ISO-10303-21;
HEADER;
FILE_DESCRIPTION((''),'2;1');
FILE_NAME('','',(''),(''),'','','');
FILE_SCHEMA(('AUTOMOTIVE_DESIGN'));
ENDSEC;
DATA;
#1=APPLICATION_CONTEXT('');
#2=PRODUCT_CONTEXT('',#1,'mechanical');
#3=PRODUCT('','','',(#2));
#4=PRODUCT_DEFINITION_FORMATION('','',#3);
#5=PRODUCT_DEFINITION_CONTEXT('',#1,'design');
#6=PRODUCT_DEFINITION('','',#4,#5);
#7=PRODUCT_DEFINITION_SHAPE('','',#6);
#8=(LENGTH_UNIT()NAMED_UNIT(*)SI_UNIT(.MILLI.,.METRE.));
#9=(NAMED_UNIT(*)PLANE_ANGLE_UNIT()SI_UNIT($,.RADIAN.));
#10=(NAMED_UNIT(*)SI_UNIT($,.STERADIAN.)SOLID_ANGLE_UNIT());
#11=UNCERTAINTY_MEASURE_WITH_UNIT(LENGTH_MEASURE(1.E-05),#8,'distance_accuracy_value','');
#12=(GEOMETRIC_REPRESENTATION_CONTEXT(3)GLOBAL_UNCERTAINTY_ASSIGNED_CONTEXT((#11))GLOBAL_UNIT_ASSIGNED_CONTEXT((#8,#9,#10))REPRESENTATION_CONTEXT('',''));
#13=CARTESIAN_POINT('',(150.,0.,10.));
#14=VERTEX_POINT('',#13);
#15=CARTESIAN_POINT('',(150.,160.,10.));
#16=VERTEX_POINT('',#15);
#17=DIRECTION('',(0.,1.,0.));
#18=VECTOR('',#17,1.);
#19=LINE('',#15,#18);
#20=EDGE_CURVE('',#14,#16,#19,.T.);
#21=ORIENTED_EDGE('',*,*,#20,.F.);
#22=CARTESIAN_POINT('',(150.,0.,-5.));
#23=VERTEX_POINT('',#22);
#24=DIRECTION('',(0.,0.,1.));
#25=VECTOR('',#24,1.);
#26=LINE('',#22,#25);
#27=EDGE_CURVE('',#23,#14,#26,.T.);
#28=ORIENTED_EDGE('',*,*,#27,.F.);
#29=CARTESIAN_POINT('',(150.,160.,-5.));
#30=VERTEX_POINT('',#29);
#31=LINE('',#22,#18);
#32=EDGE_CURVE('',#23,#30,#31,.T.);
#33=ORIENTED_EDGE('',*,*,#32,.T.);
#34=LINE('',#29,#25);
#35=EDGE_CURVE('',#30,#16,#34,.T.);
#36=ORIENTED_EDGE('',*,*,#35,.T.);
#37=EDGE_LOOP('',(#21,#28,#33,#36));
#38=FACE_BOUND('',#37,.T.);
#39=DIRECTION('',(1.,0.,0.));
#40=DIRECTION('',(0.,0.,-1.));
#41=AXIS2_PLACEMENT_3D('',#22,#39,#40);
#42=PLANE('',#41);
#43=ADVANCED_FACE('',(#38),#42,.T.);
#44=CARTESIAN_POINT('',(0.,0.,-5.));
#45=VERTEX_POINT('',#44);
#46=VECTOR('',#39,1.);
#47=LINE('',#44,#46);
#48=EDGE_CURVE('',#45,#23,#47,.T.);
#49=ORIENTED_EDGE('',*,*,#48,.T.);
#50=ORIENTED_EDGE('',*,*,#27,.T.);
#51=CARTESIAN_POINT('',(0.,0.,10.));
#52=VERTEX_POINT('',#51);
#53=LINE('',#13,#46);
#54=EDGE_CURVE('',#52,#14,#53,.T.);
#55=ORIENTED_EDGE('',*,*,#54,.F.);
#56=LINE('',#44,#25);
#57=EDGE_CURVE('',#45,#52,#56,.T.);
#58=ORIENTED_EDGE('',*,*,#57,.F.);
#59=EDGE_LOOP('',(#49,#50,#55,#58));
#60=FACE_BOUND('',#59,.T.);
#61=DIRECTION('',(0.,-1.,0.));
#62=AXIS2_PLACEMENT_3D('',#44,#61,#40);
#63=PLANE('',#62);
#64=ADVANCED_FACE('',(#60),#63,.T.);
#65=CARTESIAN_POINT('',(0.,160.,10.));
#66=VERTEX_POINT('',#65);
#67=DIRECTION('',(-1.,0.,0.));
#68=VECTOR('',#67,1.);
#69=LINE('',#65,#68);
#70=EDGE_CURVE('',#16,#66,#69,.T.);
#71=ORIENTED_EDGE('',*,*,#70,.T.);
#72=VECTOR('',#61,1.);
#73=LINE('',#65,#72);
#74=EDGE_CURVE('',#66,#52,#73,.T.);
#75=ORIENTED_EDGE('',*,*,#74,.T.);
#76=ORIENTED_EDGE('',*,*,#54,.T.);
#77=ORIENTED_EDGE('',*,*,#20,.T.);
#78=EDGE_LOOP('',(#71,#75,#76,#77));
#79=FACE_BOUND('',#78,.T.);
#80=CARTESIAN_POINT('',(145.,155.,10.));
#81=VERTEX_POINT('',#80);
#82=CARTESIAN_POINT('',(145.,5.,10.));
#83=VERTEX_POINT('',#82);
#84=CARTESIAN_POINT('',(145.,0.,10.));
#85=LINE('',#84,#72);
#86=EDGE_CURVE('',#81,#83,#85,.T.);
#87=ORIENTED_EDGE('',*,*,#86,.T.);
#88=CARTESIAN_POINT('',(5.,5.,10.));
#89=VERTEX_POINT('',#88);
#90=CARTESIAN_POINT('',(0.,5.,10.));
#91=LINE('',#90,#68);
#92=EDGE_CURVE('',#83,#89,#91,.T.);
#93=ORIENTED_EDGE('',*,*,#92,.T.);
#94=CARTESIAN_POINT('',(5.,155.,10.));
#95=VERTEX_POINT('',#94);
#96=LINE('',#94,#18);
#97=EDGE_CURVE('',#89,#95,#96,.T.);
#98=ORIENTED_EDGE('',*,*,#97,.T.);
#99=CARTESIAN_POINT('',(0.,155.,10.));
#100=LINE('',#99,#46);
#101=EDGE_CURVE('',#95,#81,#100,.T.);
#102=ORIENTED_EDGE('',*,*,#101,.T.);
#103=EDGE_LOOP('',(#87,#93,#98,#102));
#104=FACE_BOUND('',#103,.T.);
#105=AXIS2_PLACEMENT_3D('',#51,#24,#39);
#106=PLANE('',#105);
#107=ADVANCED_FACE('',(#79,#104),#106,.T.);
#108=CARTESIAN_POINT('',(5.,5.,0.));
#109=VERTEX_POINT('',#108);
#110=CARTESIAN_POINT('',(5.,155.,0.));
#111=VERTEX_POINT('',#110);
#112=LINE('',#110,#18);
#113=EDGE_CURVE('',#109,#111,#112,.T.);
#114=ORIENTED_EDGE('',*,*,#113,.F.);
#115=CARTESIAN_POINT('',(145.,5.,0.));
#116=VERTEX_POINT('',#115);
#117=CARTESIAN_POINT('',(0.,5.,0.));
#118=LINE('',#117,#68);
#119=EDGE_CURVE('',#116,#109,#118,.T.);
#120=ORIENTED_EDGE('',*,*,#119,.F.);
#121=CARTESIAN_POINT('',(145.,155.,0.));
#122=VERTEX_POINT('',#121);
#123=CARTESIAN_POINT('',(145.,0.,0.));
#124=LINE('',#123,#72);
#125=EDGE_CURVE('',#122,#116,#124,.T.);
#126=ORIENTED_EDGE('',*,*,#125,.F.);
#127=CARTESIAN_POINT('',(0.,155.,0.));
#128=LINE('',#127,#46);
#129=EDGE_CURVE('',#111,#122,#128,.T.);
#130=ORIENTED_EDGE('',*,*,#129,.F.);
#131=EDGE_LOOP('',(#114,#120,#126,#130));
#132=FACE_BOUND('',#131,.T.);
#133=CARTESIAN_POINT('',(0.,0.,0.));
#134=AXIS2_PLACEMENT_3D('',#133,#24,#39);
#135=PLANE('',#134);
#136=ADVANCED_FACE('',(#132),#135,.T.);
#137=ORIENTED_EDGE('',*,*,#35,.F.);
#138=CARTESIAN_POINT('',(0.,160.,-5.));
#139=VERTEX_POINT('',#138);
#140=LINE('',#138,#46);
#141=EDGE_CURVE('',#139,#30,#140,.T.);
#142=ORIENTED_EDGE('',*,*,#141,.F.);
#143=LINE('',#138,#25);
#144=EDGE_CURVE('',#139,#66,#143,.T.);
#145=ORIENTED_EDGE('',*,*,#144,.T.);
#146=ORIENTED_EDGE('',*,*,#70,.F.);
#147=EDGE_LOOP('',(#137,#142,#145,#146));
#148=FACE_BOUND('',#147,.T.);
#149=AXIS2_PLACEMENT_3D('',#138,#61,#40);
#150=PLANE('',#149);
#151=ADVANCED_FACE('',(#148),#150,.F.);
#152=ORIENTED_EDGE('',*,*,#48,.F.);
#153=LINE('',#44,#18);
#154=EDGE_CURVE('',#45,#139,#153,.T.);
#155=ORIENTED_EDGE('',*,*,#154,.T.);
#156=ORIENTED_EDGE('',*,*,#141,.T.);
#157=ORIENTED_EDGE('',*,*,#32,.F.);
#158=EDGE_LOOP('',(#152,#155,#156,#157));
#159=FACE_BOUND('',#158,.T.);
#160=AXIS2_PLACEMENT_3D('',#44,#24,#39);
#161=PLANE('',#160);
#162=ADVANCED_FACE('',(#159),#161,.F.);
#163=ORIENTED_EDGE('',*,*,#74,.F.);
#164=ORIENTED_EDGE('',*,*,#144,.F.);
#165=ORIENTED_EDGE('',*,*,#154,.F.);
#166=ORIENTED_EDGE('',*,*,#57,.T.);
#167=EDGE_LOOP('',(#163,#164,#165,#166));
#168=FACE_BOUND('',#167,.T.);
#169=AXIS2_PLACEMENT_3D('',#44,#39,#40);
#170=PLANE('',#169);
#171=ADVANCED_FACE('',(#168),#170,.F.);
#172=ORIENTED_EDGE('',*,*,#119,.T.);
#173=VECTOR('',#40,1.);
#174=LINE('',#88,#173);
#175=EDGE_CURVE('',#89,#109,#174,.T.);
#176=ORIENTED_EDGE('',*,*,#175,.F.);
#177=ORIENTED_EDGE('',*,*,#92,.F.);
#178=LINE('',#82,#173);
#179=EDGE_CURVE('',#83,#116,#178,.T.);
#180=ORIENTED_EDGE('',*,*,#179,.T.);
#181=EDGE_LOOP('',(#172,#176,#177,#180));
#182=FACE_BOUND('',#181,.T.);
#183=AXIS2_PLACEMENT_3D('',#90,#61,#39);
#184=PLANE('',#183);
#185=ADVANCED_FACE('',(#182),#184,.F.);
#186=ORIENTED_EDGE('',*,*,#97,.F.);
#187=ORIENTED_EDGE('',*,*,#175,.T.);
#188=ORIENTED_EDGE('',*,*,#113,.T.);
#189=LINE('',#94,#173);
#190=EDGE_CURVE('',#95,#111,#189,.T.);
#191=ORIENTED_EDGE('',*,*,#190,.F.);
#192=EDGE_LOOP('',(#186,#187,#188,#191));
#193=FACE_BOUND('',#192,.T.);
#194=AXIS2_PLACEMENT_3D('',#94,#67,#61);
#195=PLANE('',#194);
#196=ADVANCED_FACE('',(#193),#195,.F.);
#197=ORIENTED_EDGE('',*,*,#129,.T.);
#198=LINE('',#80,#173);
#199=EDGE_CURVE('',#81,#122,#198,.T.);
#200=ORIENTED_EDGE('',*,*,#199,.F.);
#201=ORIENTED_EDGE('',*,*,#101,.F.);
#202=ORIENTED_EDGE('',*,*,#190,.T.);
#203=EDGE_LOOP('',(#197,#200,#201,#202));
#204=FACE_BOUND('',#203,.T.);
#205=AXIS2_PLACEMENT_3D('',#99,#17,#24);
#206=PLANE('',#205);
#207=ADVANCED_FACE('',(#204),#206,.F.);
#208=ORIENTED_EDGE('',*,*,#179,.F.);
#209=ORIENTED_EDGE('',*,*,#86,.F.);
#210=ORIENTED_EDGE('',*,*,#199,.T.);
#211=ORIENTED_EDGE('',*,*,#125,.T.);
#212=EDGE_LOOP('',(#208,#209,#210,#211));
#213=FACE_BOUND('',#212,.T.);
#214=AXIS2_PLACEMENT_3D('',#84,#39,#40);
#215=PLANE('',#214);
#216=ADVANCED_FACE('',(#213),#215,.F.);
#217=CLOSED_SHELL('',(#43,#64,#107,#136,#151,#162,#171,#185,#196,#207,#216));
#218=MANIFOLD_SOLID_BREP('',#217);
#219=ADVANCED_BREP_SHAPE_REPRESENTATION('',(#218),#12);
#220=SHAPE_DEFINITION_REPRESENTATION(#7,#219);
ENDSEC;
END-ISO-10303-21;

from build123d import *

# Parameters (mm, degrees)
SKETCH1_W           = 150
SKETCH1_H           = 160
BOSS_EXTRUDE1_DEPTH = 5
SKETCH2_W           = 150
SKETCH2_H           = 5
BOSS_EXTRUDE2_DEPTH = 10
SKETCH3_W           = 5
SKETCH3_H           = 155
BOSS_EXTRUDE3_DEPTH = 10
SKETCH4_W           = 145
SKETCH4_H           = 5
BOSS_EXTRUDE4_DEPTH = 10
SKETCH5_W           = 5
SKETCH5_H           = 150
BOSS_EXTRUDE5_DEPTH = 10


with BuildPart() as part:
    # Sketch1 → Boss-Extrude1 (new body)
    with BuildSketch(Plane.XY):
        with Locations((75, 80)):
            Rectangle(SKETCH1_W, SKETCH1_H)
    extrude(amount=-BOSS_EXTRUDE1_DEPTH)

    # Sketch2 → Boss-Extrude2 (add)
    with BuildSketch(Plane.XY):
        with Locations((75, 157.5)):
            Rectangle(SKETCH2_W, SKETCH2_H)
    extrude(amount=BOSS_EXTRUDE2_DEPTH)

    # Sketch3 → Boss-Extrude3 (add)
    with BuildSketch(Plane.XY):
        with Locations((147.5, 77.5)):
            Rectangle(SKETCH3_W, SKETCH3_H)
    extrude(amount=BOSS_EXTRUDE3_DEPTH)

    # Sketch4 → Boss-Extrude4 (add)
    with BuildSketch(Plane.XY):
        with Locations((72.5, 2.5)):
            Rectangle(SKETCH4_W, SKETCH4_H)
    extrude(amount=BOSS_EXTRUDE4_DEPTH)

    # Sketch5 → Boss-Extrude5 (add)
    with BuildSketch(Plane.XY):
        with Locations((2.5, 80)):
            Rectangle(SKETCH5_W, SKETCH5_H)
    extrude(amount=BOSS_EXTRUDE5_DEPTH)


solid = part.part
